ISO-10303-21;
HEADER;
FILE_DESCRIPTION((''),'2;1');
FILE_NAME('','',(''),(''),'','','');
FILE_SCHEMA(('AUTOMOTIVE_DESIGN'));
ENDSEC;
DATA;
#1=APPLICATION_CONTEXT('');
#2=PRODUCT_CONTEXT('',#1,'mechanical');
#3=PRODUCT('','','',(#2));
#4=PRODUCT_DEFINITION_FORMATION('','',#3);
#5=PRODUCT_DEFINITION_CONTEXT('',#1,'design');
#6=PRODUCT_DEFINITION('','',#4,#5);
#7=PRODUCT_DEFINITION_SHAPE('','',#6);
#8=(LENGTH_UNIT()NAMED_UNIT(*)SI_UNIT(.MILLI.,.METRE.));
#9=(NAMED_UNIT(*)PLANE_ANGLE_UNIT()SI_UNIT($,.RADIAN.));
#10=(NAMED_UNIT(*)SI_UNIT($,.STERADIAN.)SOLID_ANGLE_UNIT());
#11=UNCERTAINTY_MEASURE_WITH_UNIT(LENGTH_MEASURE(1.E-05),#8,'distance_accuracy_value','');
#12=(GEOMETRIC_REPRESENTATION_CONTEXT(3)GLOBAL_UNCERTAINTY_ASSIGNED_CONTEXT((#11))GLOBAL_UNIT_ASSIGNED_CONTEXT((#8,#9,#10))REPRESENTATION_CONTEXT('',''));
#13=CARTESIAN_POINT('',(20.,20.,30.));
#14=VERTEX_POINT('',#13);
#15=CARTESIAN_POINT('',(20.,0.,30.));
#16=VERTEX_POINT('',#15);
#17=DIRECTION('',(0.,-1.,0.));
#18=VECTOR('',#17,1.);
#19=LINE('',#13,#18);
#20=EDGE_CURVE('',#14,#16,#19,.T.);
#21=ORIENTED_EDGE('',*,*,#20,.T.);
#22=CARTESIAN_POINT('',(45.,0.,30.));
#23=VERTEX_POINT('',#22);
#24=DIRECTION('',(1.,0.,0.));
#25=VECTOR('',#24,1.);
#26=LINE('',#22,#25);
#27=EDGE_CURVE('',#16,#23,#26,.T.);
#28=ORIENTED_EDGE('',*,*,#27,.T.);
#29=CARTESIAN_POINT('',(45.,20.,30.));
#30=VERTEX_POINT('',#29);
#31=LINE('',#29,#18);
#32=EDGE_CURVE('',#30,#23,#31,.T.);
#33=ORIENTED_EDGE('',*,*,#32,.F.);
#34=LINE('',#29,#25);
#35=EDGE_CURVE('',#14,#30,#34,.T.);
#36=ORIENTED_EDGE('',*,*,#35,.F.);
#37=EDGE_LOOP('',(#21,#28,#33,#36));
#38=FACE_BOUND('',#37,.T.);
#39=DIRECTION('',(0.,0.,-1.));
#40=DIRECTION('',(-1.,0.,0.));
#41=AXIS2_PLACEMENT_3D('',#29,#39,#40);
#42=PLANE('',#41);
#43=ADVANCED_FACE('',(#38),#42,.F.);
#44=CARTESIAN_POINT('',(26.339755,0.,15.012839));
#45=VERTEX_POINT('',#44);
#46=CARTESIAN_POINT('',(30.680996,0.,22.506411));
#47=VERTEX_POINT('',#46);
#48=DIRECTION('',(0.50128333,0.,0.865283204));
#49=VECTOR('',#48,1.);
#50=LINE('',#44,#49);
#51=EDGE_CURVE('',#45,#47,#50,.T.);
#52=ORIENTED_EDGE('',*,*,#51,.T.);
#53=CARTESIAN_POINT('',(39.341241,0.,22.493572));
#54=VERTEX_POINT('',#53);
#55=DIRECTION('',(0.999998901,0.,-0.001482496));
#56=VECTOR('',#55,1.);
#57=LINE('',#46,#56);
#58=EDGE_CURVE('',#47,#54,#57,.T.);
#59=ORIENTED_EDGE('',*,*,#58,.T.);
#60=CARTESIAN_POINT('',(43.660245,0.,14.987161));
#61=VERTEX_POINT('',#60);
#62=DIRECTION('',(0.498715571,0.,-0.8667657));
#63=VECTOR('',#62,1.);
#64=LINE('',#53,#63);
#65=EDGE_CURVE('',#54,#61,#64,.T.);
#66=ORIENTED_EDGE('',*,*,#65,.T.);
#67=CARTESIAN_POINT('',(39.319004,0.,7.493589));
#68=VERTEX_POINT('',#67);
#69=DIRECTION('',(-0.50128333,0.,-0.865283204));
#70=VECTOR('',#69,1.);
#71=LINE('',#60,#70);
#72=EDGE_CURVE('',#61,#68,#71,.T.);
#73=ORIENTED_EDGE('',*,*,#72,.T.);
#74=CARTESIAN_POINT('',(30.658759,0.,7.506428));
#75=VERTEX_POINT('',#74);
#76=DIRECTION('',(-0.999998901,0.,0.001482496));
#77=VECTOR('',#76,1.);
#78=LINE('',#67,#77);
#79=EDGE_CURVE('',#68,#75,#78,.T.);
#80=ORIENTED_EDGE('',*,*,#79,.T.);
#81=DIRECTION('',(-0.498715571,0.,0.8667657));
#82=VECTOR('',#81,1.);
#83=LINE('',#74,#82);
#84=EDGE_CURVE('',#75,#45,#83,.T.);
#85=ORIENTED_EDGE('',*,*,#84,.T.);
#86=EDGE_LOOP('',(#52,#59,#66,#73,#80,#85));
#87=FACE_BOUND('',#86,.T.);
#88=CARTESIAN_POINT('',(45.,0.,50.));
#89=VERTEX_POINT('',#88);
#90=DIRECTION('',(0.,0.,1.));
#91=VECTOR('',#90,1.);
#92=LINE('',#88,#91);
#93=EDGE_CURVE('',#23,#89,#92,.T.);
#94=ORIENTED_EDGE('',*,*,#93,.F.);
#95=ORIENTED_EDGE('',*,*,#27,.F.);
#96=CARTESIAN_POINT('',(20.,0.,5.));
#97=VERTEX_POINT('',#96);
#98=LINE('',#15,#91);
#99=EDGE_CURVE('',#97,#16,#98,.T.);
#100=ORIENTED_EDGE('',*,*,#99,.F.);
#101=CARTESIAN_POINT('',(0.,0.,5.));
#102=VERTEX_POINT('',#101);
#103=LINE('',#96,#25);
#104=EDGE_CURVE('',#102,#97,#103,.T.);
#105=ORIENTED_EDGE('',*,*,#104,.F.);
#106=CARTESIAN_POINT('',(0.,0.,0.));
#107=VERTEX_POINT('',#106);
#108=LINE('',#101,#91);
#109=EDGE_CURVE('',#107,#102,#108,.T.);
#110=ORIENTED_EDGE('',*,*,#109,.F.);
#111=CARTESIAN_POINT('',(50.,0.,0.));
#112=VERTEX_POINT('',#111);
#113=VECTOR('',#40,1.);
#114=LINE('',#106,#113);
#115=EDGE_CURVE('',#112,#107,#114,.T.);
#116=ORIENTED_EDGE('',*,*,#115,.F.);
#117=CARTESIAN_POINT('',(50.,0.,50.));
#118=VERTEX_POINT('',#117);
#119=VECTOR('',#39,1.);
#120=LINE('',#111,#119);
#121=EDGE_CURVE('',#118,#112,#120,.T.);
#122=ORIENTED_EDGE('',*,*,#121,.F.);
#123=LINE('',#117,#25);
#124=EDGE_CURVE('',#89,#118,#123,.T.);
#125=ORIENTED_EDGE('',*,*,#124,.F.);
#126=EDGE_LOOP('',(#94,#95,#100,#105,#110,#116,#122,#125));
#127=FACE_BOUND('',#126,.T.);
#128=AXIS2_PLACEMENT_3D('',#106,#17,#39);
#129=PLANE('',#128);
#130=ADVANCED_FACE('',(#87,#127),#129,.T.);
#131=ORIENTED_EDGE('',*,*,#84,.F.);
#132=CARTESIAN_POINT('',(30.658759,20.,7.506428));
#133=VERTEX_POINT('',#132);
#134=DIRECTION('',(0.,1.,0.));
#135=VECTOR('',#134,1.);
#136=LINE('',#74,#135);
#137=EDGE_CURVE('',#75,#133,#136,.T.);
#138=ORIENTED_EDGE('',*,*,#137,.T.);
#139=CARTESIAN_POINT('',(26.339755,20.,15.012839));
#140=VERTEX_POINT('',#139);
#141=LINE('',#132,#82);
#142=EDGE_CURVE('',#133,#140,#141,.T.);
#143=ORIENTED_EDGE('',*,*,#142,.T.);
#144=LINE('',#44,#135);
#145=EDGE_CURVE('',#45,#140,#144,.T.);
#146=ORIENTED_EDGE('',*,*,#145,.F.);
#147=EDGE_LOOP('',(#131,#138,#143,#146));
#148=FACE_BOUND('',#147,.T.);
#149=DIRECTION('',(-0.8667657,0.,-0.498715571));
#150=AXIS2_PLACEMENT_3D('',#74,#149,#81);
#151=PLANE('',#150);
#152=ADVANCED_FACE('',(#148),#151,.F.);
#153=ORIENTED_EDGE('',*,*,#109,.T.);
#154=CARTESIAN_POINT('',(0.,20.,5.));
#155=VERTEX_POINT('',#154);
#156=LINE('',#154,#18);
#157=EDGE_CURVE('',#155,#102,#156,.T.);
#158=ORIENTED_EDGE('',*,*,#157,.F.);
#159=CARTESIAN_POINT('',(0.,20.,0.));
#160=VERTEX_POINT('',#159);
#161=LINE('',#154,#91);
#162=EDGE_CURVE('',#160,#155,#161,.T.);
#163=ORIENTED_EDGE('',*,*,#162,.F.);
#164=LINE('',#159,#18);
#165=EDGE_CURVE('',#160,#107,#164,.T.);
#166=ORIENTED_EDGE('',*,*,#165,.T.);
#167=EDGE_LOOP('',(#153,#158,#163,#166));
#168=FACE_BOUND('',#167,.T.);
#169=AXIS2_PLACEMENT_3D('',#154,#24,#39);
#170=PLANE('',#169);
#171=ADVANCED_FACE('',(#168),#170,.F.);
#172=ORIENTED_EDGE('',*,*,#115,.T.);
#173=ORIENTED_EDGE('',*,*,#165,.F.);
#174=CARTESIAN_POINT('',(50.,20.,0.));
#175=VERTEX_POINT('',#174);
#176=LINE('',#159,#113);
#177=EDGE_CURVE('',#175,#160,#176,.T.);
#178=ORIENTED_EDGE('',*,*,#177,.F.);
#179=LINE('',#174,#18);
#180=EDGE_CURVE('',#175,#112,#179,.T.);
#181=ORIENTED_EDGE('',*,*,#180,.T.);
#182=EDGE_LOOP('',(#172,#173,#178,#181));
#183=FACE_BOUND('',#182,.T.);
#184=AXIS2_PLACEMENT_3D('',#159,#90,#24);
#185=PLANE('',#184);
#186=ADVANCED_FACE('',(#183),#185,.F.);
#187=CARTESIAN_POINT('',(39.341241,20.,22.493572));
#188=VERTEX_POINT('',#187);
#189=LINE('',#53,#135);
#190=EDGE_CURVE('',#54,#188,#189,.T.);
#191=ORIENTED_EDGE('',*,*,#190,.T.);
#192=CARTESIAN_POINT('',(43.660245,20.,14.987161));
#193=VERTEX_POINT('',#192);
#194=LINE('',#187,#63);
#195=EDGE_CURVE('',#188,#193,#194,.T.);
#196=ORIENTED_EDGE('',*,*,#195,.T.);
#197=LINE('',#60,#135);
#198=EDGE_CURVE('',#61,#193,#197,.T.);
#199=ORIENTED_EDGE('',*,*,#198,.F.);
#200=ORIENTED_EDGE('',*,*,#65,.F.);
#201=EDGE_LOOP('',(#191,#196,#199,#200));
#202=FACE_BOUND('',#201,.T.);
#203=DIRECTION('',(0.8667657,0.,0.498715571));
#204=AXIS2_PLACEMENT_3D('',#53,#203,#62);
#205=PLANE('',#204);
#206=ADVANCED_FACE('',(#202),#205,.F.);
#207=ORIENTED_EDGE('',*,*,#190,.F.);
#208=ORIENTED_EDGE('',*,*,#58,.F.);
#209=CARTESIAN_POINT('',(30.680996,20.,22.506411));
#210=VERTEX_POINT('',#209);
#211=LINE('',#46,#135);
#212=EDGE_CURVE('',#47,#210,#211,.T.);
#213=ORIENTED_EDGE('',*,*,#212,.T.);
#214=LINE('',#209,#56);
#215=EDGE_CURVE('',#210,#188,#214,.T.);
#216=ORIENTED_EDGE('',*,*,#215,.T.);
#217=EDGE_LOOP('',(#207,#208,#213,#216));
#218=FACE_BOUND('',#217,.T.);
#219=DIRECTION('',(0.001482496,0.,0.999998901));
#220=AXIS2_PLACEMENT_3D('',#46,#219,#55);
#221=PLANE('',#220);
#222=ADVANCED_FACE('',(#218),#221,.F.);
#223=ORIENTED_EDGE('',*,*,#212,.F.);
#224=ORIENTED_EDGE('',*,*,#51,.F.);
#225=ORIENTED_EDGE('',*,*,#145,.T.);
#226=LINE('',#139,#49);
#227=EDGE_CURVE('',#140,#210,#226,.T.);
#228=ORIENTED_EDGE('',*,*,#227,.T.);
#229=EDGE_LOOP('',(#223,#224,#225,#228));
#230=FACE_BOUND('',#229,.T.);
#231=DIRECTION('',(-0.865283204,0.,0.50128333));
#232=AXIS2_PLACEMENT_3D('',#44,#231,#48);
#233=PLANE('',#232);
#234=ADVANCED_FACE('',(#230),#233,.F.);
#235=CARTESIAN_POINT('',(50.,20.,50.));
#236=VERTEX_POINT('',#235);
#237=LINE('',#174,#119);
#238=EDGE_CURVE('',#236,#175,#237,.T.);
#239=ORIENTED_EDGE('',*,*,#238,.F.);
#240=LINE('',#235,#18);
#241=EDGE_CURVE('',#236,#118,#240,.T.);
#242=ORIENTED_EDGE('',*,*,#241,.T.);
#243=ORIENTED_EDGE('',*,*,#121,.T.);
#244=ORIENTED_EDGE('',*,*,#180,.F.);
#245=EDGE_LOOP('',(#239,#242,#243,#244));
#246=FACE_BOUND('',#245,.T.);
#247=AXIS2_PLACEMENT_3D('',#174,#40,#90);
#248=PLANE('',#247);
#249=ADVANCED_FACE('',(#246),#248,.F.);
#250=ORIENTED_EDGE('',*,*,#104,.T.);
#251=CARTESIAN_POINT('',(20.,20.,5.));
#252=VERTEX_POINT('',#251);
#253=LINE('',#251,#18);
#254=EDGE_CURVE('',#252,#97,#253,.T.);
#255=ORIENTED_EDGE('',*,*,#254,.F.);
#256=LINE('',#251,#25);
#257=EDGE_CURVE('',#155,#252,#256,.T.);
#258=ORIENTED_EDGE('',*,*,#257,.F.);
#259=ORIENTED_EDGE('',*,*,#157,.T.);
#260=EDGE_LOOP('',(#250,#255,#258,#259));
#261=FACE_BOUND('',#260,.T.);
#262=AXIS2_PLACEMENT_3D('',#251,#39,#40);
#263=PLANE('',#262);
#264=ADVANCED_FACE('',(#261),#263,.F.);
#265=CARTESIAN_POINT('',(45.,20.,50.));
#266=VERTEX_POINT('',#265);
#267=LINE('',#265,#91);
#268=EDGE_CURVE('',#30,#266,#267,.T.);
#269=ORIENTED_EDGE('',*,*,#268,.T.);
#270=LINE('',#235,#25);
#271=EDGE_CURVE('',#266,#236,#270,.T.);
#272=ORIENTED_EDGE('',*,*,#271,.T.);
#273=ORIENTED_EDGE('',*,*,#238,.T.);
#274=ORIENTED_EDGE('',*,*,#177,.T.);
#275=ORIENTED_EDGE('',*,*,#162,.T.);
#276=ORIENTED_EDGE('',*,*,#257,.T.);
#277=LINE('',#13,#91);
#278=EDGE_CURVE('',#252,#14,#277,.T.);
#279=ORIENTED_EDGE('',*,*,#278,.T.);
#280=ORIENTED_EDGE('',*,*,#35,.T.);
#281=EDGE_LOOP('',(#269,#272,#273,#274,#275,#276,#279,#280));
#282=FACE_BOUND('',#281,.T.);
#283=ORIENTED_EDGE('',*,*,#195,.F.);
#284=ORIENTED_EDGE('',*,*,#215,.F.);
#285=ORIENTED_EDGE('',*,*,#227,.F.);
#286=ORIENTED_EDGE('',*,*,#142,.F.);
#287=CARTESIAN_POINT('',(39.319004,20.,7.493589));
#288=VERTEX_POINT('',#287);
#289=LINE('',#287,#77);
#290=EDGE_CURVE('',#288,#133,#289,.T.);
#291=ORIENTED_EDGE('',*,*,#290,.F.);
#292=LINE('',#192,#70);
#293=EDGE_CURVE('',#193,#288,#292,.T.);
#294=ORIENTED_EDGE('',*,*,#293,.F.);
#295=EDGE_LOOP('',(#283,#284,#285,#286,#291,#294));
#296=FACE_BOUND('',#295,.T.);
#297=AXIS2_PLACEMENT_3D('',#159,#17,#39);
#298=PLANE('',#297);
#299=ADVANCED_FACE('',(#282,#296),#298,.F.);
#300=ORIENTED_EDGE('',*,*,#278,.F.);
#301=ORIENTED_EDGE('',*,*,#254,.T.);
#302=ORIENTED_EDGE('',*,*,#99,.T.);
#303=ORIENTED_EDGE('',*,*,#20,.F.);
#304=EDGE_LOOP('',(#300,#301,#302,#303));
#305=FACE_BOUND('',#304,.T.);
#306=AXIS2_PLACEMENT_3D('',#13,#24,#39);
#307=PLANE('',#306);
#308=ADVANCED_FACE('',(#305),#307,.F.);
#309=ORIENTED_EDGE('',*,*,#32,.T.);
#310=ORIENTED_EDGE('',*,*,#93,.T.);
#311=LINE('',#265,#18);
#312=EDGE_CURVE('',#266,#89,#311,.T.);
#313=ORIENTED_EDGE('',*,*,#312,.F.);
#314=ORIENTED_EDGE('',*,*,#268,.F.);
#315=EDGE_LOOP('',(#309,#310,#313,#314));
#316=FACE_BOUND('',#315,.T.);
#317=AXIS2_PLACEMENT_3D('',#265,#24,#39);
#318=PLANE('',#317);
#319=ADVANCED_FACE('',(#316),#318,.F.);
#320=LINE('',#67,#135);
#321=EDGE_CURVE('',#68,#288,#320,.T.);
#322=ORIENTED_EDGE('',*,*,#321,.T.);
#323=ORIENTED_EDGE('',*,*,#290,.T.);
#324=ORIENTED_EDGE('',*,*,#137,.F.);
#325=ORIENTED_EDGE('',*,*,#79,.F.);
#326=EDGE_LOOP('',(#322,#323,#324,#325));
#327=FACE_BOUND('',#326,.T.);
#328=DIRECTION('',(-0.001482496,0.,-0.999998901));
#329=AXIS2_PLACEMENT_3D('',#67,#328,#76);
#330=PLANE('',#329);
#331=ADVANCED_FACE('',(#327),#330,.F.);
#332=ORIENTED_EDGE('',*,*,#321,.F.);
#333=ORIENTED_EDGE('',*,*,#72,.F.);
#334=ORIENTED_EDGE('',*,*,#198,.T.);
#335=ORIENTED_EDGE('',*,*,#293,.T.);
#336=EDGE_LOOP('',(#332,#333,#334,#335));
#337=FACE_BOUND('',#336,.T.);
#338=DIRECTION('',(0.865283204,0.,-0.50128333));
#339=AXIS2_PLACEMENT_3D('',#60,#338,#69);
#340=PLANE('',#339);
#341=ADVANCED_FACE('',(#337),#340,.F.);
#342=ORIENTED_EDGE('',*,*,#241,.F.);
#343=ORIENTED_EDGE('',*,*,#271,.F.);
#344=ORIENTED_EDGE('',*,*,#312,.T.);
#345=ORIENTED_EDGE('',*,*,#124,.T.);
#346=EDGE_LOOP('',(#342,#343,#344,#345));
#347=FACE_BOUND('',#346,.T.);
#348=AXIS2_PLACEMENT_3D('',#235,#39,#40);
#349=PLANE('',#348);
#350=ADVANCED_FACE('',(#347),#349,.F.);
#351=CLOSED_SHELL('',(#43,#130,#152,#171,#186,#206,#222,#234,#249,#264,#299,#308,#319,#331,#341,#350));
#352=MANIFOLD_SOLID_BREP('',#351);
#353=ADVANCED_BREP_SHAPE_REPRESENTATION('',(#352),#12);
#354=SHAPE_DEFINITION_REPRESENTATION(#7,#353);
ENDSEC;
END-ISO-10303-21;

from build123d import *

# Parameters (mm, degrees)
BOSS_EXTRUDE1_DEPTH = 20
CUT_EXTRUDE1_DEPTH  = 20


with BuildPart() as part:
    # Sketch2 → Boss-Extrude1 (new body)
    with BuildSketch(Plane(origin=(0, 0, 0), x_dir=(1, 0, 0), z_dir=(0, 1, 0))):
        Polygon((0, 0), (50, 0), (50, -50), (45, -50), (45, -30), (20, -30), (20, -5), (0, -5), align=None)
    extrude(amount=BOSS_EXTRUDE1_DEPTH)

    # Sketch3 → Cut-Extrude1 (cut)
    with BuildSketch(Plane(origin=(0, 20, 0), x_dir=(1, 0, 0), z_dir=(0, 1, 0))):
        Polygon((39.341240981, -22.493572362), (43.660244521, -14.987161207), (39.31900354, -7.493588845), (30.658759019, -7.506427638), (26.339755479, -15.012838793), (30.68099646, -22.506411155), align=None)
    extrude(amount=-CUT_EXTRUDE1_DEPTH, mode=Mode.SUBTRACT)


solid = part.part
